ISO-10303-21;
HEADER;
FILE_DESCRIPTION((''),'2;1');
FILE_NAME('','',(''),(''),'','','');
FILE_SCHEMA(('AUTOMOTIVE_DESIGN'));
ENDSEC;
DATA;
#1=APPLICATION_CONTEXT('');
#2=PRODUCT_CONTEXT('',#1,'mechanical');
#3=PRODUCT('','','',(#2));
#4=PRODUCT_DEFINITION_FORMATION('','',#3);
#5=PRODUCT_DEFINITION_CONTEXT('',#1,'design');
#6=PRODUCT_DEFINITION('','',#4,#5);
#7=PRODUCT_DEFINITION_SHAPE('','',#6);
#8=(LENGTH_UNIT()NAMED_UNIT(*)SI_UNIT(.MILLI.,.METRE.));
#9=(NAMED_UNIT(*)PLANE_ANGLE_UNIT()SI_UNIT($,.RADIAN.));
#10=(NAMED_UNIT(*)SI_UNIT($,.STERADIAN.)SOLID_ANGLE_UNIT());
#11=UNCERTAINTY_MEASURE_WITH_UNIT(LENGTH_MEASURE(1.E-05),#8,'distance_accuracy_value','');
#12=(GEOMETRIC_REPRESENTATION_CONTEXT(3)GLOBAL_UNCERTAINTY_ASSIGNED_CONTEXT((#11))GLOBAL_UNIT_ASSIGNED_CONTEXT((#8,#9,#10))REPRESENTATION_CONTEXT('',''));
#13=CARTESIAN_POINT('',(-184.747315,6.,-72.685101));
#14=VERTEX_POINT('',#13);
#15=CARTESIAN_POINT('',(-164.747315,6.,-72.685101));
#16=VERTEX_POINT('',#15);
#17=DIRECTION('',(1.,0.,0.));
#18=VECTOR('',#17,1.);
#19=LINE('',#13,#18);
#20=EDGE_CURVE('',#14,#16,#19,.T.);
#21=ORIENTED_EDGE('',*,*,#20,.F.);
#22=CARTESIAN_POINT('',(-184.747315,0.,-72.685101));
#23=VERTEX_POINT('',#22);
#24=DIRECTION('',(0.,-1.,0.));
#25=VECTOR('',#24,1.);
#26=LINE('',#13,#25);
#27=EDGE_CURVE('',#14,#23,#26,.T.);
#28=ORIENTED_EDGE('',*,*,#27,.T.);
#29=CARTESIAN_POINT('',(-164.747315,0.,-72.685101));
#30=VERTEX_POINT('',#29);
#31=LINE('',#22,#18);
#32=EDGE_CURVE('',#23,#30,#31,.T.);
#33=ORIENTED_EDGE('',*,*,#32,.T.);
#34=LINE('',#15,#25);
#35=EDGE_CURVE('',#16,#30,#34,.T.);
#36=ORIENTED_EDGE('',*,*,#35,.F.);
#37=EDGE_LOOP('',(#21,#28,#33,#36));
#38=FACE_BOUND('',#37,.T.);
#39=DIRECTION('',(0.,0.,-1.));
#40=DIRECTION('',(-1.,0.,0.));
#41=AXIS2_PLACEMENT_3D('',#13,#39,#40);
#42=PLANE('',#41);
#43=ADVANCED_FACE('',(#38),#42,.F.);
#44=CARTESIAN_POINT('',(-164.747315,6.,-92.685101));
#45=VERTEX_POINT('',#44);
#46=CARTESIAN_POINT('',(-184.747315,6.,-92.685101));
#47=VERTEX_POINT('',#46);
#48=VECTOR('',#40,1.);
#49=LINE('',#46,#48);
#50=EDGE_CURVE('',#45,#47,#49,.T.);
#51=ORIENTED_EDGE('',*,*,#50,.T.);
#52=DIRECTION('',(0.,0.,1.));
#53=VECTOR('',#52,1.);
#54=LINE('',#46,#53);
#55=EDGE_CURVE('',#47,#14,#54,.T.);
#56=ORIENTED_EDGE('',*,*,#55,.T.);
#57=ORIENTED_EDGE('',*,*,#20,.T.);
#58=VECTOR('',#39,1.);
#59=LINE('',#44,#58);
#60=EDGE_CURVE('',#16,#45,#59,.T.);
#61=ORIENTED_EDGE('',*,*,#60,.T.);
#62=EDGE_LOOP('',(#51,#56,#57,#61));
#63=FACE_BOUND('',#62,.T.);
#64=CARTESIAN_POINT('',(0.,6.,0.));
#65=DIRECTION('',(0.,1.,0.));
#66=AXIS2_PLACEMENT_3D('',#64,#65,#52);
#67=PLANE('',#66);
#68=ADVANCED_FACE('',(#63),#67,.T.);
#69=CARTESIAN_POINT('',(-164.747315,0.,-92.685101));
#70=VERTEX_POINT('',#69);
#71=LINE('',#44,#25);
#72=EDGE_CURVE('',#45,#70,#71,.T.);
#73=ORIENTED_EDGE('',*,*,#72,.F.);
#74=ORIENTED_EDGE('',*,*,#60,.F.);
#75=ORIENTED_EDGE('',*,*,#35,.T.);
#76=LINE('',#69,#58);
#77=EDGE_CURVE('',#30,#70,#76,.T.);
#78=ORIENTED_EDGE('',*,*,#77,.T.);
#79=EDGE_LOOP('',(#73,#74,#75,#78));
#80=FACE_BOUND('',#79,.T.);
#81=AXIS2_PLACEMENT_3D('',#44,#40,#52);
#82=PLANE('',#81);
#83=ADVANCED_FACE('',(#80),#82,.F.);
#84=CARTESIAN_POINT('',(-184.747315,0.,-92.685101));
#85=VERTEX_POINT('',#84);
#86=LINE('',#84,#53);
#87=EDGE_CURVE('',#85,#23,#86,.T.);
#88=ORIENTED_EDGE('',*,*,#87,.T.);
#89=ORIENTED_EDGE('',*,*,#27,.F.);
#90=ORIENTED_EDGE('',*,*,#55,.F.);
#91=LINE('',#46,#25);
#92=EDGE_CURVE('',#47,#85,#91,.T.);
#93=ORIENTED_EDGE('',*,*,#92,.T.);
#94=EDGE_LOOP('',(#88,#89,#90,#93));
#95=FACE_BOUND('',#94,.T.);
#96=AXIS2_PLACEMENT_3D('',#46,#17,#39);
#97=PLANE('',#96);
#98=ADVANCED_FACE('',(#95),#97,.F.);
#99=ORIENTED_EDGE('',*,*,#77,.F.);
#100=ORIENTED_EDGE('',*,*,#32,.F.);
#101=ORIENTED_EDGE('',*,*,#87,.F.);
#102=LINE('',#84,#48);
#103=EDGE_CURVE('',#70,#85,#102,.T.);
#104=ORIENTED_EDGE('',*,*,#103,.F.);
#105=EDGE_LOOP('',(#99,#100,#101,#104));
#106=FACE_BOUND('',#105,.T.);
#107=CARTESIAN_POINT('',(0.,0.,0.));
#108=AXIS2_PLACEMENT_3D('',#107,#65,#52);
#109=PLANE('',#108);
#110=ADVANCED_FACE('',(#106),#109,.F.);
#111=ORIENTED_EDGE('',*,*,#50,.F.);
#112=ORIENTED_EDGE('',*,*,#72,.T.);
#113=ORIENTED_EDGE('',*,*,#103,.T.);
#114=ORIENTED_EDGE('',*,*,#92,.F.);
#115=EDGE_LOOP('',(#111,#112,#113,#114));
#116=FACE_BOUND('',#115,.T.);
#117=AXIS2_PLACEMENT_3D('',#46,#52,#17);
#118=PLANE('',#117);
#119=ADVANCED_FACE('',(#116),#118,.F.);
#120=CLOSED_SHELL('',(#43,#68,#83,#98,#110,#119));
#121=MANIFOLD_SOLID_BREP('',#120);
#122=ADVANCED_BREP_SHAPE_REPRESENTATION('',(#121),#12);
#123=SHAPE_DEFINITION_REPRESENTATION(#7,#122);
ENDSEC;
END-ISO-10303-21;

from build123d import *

# Parameters (mm, degrees)
SKETCH_1_W      = 20
SKETCH_1_H      = 20
EXTRUDE_1_DEPTH = 6


with BuildPart() as part:
    # 草图1 → 凸台-拉伸1 (new body)
    with BuildSketch(Plane(origin=(-4.800672784, 0, -9.603143473), x_dir=(1, 0, 0), z_dir=(0, 1, 0))):
        with Locations((-169.946642006, 73.081957783)):
            Rectangle(SKETCH_1_W, SKETCH_1_H)
    extrude(amount=EXTRUDE_1_DEPTH)


solid = part.part
